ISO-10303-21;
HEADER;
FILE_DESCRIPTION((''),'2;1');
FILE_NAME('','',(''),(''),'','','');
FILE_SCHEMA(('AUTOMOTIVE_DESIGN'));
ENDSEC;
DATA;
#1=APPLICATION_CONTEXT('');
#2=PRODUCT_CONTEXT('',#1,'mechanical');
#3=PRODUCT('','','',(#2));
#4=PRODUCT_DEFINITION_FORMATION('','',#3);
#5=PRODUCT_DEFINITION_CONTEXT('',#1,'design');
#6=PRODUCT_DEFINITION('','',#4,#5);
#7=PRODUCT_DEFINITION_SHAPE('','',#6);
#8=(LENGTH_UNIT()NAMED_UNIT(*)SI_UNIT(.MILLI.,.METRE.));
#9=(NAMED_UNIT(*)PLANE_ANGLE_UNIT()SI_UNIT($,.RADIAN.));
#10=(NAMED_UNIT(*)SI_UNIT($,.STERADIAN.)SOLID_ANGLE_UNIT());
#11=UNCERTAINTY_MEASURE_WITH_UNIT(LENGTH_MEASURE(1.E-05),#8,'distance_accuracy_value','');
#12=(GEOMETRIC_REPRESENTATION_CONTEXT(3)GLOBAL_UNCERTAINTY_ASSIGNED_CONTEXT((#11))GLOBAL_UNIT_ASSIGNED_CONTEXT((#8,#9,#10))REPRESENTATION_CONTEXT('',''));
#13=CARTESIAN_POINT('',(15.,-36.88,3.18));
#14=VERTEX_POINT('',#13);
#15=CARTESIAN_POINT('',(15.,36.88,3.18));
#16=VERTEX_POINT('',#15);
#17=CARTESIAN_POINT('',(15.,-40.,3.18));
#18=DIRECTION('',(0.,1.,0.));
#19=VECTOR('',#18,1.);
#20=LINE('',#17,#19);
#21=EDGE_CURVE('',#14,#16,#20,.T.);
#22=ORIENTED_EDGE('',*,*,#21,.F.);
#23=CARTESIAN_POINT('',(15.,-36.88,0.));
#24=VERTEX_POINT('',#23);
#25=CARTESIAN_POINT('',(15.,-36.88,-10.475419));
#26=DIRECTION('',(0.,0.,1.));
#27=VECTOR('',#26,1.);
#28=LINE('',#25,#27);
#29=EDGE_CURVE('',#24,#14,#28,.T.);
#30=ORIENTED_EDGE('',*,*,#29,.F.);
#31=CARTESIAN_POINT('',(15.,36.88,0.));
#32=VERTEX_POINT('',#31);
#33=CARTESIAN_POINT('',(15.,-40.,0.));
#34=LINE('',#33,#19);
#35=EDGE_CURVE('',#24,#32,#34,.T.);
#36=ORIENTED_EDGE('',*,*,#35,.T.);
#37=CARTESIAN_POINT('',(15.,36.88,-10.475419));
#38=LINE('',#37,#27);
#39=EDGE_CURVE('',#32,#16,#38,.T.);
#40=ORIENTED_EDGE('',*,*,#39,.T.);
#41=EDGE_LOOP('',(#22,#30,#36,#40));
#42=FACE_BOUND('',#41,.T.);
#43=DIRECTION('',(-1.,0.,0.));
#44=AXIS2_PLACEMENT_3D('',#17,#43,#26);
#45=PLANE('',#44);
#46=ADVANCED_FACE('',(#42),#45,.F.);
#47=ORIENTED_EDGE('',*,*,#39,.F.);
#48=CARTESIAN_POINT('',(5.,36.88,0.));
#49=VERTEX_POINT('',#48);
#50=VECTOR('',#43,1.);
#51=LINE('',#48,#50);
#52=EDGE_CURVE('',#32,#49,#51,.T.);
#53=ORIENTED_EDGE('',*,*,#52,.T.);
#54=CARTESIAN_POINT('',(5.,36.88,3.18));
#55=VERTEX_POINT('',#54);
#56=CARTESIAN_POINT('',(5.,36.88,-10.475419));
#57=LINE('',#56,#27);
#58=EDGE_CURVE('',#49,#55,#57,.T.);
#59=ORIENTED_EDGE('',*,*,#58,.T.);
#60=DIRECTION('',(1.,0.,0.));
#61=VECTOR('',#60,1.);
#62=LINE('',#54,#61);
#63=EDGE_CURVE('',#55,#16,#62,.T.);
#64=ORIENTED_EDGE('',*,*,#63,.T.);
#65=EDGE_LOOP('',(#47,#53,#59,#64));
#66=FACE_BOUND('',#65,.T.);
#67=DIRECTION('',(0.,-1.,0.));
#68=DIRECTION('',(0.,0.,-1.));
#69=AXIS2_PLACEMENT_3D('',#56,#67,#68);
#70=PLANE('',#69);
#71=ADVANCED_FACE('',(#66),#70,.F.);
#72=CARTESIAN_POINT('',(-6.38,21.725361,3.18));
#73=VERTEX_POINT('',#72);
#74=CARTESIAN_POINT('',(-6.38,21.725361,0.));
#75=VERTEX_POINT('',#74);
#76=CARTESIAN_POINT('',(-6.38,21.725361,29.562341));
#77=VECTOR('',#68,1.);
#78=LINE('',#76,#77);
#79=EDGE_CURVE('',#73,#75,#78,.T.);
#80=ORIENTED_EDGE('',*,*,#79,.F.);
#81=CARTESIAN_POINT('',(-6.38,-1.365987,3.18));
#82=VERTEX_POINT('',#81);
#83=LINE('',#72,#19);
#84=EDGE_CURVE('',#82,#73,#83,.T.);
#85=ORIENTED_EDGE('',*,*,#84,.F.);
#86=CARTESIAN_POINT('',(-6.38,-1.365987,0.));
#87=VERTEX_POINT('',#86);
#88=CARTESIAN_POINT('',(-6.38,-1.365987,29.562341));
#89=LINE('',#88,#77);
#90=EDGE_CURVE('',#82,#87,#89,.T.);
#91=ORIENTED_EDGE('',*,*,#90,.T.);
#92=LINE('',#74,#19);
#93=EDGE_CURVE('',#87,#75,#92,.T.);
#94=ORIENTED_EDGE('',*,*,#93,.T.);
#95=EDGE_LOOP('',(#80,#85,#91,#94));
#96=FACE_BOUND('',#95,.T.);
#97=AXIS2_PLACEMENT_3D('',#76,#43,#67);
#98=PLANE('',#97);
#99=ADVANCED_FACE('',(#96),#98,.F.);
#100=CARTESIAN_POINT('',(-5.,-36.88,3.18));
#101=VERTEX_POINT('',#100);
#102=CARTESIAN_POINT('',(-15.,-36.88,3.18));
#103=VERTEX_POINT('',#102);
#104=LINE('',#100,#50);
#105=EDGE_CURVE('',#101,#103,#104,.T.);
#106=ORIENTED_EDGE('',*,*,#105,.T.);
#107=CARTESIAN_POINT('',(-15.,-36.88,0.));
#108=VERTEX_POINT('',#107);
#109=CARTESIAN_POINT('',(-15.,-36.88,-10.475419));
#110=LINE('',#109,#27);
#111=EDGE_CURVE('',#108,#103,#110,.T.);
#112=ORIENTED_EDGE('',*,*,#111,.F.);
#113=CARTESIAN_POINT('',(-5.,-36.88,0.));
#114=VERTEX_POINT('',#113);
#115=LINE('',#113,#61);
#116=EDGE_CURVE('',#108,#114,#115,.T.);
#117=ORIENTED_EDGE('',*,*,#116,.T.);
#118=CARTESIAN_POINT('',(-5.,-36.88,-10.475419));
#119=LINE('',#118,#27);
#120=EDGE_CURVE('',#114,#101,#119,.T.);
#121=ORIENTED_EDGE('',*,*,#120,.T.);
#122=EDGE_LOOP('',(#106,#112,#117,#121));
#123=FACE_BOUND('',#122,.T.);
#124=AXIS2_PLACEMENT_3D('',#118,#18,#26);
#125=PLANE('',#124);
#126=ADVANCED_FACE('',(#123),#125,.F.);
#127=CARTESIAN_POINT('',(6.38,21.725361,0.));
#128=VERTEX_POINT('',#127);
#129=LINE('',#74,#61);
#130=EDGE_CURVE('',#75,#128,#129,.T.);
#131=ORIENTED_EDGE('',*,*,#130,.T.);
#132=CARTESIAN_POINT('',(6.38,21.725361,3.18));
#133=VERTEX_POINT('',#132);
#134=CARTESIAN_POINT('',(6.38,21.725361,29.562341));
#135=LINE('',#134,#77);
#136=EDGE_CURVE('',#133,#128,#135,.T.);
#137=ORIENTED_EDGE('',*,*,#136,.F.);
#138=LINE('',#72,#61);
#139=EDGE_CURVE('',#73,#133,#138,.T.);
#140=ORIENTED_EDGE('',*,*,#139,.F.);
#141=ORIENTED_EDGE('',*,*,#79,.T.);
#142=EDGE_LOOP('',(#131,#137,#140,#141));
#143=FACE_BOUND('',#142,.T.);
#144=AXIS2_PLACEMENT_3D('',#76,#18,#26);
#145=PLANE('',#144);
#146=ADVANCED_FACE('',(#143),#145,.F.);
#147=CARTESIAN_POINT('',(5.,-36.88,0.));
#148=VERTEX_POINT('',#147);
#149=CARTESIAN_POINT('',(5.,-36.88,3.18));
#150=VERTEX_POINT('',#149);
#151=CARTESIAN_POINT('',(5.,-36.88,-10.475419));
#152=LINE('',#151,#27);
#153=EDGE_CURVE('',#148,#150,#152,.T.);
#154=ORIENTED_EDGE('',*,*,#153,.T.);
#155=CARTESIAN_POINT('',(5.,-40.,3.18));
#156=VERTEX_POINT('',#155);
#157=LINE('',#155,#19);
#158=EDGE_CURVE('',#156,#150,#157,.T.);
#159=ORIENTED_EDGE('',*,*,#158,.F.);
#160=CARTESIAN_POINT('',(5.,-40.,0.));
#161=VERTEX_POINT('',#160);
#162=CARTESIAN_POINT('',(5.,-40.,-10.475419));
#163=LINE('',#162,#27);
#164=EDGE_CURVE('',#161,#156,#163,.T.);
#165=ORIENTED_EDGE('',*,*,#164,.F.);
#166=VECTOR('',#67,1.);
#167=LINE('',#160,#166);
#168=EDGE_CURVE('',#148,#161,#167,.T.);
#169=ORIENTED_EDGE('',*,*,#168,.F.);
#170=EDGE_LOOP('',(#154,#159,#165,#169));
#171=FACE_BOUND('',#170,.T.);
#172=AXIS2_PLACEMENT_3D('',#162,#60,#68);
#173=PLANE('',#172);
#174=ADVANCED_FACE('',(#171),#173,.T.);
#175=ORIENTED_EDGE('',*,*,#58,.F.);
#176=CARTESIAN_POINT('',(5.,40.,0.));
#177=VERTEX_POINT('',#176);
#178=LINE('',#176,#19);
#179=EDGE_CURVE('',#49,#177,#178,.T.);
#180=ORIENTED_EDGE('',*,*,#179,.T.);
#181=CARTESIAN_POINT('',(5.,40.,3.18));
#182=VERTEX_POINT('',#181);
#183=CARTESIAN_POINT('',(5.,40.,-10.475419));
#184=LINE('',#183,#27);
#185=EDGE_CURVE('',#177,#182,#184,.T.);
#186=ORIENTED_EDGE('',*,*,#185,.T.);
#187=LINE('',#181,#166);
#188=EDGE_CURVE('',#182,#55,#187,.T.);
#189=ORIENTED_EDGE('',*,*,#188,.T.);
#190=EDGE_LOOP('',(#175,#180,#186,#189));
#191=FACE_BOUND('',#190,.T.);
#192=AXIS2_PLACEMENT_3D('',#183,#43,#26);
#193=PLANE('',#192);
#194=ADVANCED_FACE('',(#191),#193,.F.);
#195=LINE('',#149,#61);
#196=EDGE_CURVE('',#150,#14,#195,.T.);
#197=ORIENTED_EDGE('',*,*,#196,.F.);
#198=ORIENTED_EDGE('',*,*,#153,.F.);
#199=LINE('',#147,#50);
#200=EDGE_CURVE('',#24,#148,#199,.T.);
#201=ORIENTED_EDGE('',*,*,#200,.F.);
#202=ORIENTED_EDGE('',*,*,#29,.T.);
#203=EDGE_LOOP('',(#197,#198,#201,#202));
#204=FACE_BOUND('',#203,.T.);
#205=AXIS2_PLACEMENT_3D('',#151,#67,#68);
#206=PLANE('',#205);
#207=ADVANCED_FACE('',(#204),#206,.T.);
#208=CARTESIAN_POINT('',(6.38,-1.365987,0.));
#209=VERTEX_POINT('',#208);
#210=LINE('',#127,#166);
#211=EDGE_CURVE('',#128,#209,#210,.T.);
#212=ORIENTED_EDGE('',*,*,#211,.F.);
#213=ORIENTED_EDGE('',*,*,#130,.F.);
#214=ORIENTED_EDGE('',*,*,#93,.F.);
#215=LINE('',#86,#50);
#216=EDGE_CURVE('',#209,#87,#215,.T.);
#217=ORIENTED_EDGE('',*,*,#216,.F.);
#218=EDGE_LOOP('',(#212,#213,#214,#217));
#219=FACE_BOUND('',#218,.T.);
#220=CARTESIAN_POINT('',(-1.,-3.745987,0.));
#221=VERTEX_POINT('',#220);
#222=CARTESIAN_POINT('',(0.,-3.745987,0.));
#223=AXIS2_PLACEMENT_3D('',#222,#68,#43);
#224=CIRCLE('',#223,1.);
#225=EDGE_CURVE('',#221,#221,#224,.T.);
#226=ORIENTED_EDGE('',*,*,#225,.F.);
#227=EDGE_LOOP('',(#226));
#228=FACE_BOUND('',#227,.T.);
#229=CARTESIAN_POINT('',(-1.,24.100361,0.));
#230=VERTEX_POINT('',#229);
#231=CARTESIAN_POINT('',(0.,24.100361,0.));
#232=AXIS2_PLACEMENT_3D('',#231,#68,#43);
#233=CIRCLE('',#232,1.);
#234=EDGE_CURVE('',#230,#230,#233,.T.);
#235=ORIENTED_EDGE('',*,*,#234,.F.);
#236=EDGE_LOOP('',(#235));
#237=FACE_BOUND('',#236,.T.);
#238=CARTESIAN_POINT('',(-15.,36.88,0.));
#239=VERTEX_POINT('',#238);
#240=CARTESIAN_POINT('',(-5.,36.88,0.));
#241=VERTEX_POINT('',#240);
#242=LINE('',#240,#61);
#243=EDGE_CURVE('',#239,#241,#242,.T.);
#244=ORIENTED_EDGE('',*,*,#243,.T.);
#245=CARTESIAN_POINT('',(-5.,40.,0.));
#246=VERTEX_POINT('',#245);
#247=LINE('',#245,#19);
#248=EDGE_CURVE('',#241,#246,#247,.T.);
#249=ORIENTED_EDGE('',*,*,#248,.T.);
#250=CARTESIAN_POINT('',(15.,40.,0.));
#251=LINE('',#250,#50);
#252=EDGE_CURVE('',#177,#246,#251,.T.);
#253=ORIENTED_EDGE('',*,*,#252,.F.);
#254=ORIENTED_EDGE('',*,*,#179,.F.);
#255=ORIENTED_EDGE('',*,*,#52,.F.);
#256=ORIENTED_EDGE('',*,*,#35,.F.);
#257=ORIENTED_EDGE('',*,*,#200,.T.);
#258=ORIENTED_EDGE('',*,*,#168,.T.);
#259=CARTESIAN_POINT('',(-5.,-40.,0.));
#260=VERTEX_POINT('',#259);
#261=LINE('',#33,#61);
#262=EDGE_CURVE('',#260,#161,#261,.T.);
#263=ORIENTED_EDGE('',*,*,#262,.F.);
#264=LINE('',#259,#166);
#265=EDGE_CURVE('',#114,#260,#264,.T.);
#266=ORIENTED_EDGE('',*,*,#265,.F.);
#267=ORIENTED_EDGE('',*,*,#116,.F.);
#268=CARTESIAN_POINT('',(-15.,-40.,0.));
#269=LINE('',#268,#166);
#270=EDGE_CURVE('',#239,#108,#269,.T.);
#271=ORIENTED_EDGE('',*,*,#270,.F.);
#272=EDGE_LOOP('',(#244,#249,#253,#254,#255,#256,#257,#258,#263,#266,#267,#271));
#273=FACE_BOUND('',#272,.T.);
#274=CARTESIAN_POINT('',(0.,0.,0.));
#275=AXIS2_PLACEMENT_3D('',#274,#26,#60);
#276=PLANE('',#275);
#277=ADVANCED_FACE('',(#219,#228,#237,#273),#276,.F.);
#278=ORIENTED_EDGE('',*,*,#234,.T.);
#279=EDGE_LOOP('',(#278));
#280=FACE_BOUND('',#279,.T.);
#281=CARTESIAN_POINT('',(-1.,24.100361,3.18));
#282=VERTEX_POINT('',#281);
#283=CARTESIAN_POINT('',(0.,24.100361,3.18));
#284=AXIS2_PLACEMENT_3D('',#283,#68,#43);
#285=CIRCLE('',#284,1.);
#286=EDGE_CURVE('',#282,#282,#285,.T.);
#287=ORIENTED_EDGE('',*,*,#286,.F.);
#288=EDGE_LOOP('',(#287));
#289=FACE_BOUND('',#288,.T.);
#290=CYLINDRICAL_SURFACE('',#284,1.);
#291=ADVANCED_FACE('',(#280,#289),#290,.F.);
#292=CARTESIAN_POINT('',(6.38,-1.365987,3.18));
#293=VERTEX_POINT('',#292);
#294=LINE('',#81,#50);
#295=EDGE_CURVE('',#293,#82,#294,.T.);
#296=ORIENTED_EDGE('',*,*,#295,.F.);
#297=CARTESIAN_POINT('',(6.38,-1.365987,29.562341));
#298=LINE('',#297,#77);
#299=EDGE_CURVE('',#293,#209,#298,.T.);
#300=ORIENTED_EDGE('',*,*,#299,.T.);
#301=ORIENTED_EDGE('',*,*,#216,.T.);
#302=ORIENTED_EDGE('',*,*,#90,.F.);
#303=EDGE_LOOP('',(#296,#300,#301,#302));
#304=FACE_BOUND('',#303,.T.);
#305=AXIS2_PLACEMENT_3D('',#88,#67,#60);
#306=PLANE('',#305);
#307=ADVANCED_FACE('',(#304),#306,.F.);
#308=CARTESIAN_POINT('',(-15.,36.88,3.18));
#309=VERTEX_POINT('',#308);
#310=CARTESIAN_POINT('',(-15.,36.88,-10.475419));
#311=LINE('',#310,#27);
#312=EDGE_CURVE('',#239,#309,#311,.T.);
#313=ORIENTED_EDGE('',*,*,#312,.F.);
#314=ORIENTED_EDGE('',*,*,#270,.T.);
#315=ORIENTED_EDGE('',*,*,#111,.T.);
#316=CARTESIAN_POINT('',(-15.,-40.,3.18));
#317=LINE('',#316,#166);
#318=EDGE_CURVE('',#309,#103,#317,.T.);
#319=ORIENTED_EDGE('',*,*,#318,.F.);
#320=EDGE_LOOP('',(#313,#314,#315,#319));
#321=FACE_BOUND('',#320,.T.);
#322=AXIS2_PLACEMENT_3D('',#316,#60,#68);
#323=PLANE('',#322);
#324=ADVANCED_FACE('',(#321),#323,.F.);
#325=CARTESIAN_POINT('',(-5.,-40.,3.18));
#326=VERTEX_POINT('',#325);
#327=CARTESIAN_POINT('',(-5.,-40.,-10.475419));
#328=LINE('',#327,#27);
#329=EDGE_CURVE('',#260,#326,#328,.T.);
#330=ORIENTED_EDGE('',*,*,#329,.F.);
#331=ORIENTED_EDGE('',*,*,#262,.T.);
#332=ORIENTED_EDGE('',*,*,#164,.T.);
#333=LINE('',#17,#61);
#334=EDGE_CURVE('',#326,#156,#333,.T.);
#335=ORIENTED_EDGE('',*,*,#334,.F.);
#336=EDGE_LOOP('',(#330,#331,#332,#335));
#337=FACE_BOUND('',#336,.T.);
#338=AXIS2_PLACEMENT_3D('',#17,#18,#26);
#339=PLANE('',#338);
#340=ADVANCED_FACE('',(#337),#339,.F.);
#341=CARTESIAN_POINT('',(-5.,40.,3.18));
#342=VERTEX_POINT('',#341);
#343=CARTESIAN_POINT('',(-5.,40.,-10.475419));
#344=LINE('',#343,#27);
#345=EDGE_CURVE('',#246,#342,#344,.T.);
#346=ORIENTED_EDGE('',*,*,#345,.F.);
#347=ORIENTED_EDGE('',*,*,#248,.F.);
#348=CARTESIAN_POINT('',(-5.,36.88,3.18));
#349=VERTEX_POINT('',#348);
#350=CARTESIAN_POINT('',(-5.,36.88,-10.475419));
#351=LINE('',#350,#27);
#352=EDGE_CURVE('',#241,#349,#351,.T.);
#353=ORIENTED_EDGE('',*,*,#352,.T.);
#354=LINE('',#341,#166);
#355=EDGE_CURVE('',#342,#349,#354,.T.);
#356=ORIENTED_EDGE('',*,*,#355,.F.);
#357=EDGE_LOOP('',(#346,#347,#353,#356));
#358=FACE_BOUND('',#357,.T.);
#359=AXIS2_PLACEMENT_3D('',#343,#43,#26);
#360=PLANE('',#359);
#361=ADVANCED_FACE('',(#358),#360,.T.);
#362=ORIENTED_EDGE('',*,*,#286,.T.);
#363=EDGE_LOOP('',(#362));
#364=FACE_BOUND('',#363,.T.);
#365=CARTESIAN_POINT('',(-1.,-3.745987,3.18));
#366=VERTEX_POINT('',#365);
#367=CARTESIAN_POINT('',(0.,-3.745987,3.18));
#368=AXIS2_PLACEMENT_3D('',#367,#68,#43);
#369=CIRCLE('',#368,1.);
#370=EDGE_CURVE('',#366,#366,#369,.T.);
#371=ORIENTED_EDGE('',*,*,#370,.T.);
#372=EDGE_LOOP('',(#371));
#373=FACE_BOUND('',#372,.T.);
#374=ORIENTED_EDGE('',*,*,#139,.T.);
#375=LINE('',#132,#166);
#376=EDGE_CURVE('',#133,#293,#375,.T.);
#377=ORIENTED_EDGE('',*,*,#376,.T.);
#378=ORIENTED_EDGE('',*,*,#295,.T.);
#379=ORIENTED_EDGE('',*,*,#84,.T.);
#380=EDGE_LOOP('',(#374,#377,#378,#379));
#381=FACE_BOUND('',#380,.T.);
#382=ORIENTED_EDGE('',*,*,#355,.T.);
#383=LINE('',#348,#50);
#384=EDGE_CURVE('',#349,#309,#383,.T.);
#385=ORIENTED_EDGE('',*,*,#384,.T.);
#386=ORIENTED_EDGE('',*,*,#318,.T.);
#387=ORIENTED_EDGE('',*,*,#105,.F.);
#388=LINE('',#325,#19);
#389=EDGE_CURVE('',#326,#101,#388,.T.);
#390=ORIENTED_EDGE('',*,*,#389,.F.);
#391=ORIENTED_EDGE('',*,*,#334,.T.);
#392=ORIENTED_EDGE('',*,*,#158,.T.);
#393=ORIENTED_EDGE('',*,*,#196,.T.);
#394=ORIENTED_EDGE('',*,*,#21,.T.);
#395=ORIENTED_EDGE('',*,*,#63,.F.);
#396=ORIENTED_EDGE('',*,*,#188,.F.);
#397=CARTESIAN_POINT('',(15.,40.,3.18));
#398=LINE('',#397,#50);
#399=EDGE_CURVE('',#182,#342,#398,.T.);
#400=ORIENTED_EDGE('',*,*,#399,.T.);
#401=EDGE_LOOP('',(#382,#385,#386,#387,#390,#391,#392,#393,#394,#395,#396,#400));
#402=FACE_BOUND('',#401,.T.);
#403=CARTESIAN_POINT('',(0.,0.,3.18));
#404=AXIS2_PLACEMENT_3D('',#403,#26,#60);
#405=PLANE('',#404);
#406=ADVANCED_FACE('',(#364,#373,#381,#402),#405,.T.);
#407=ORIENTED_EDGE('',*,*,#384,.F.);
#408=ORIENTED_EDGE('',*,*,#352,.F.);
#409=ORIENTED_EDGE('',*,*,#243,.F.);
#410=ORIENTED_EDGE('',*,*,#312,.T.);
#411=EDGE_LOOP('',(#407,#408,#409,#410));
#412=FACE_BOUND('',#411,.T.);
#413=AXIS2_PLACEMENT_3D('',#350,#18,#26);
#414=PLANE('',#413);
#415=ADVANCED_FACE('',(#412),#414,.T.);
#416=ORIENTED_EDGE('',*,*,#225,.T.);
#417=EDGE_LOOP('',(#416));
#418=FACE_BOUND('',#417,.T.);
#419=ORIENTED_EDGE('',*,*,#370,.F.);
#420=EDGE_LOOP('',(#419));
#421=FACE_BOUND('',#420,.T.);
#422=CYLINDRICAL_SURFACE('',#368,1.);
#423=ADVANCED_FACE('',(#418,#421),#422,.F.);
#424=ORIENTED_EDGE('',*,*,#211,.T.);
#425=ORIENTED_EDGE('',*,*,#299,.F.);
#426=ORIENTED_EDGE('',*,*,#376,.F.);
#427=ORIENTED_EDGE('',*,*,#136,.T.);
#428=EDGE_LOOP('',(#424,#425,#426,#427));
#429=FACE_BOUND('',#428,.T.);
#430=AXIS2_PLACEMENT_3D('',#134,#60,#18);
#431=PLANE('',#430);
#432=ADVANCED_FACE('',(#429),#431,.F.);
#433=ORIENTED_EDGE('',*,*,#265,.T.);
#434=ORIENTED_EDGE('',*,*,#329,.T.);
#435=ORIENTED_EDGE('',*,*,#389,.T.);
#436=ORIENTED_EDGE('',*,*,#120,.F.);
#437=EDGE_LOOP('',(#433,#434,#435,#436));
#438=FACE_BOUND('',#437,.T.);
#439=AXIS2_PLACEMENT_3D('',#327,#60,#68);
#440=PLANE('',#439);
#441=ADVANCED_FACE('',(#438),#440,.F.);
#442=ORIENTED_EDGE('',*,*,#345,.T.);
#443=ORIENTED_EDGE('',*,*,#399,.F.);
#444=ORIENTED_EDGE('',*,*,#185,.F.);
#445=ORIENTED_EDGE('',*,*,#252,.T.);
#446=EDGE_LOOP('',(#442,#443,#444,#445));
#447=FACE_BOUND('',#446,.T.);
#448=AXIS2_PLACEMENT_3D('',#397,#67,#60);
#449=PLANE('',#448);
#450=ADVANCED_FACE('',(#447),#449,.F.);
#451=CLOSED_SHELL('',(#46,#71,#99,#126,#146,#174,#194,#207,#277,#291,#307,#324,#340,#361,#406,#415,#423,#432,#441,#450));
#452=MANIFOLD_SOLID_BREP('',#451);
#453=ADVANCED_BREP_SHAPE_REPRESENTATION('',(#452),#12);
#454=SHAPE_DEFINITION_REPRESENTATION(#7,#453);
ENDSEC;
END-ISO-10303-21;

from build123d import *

# Parameters (mm, degrees)
SKETCH2_W               = 30
SKETCH2_H               = 80
BOSS_EXTRUDE1_DEPTH     = 3.18
SKETCH4_W               = 10
SKETCH4_H               = 3.12
CUT_EXTRUDE1_DEPTH      = 3.18
MIRROR2_COPY_1_SKETCH_W = 10
MIRROR2_COPY_1_SKETCH_H = 3.12
MIRROR2_COPY_1_DEPTH    = 3.18
SKETCH5_W               = 12.76
SKETCH5_H               = 23.091347567
CUT_EXTRUDE2_DEPTH      = 3.18
SKETCH6_R               = 1
CUT_EXTRUDE3_DEPTH      = 4.18


with BuildPart() as part:
    # Sketch2 → Boss-Extrude1 (new body)
    with BuildSketch(Plane.XY):
        Rectangle(SKETCH2_W, SKETCH2_H)
    extrude(amount=BOSS_EXTRUDE1_DEPTH)

    # Sketch4 → Cut-Extrude1 (cut)
    with BuildSketch(Plane.XY.offset(3.18)):
        with Locations((10, 38.44)):
            Rectangle(SKETCH4_W, SKETCH4_H)
    cut_extrude1 = extrude(amount=-CUT_EXTRUDE1_DEPTH, mode=Mode.SUBTRACT)

    # Mirror1: Cut-Extrude1 across plane
    add(cut_extrude1.mirror(Plane(origin=(0, 0, 0), x_dir=(0, 0, 1), z_dir=(1, 0, 0))), mode=Mode.SUBTRACT)

    # Mirror2: Cut-Extrude1 across plane
    add(cut_extrude1.mirror(Plane.ZX), mode=Mode.SUBTRACT)

    # Mirror2 copy 1 sketch → Mirror2 copy 1 (cut)
    with BuildSketch(Plane(origin=(0, 0, 3.18), x_dir=(-1, 0, 0), z_dir=(0, 0, 1))):
        with Locations((10, 38.44)):
            Rectangle(MIRROR2_COPY_1_SKETCH_W, MIRROR2_COPY_1_SKETCH_H)
    extrude(amount=-MIRROR2_COPY_1_DEPTH, mode=Mode.SUBTRACT)

    # Sketch5 → Cut-Extrude2 (cut)
    with BuildSketch(Plane(origin=(0, 0, 0), x_dir=(-1, 0, 0), z_dir=(0, 0, -1))):
        with Locations((0, 10.179687203)):
            Rectangle(SKETCH5_W, SKETCH5_H)
    extrude(amount=-CUT_EXTRUDE2_DEPTH, mode=Mode.SUBTRACT)

    # Sketch6 → Cut-Extrude3 (cut, through all)
    with BuildSketch(Plane(origin=(0, 0, 0), x_dir=(-1, 0, 0), z_dir=(0, 0, -1))):
        with Locations((0, 24.100360986)):
            Circle(SKETCH6_R)
        with Locations((0, -3.745986581)):
            Circle(SKETCH6_R)
    extrude(amount=-CUT_EXTRUDE3_DEPTH, mode=Mode.SUBTRACT)


solid = part.part
